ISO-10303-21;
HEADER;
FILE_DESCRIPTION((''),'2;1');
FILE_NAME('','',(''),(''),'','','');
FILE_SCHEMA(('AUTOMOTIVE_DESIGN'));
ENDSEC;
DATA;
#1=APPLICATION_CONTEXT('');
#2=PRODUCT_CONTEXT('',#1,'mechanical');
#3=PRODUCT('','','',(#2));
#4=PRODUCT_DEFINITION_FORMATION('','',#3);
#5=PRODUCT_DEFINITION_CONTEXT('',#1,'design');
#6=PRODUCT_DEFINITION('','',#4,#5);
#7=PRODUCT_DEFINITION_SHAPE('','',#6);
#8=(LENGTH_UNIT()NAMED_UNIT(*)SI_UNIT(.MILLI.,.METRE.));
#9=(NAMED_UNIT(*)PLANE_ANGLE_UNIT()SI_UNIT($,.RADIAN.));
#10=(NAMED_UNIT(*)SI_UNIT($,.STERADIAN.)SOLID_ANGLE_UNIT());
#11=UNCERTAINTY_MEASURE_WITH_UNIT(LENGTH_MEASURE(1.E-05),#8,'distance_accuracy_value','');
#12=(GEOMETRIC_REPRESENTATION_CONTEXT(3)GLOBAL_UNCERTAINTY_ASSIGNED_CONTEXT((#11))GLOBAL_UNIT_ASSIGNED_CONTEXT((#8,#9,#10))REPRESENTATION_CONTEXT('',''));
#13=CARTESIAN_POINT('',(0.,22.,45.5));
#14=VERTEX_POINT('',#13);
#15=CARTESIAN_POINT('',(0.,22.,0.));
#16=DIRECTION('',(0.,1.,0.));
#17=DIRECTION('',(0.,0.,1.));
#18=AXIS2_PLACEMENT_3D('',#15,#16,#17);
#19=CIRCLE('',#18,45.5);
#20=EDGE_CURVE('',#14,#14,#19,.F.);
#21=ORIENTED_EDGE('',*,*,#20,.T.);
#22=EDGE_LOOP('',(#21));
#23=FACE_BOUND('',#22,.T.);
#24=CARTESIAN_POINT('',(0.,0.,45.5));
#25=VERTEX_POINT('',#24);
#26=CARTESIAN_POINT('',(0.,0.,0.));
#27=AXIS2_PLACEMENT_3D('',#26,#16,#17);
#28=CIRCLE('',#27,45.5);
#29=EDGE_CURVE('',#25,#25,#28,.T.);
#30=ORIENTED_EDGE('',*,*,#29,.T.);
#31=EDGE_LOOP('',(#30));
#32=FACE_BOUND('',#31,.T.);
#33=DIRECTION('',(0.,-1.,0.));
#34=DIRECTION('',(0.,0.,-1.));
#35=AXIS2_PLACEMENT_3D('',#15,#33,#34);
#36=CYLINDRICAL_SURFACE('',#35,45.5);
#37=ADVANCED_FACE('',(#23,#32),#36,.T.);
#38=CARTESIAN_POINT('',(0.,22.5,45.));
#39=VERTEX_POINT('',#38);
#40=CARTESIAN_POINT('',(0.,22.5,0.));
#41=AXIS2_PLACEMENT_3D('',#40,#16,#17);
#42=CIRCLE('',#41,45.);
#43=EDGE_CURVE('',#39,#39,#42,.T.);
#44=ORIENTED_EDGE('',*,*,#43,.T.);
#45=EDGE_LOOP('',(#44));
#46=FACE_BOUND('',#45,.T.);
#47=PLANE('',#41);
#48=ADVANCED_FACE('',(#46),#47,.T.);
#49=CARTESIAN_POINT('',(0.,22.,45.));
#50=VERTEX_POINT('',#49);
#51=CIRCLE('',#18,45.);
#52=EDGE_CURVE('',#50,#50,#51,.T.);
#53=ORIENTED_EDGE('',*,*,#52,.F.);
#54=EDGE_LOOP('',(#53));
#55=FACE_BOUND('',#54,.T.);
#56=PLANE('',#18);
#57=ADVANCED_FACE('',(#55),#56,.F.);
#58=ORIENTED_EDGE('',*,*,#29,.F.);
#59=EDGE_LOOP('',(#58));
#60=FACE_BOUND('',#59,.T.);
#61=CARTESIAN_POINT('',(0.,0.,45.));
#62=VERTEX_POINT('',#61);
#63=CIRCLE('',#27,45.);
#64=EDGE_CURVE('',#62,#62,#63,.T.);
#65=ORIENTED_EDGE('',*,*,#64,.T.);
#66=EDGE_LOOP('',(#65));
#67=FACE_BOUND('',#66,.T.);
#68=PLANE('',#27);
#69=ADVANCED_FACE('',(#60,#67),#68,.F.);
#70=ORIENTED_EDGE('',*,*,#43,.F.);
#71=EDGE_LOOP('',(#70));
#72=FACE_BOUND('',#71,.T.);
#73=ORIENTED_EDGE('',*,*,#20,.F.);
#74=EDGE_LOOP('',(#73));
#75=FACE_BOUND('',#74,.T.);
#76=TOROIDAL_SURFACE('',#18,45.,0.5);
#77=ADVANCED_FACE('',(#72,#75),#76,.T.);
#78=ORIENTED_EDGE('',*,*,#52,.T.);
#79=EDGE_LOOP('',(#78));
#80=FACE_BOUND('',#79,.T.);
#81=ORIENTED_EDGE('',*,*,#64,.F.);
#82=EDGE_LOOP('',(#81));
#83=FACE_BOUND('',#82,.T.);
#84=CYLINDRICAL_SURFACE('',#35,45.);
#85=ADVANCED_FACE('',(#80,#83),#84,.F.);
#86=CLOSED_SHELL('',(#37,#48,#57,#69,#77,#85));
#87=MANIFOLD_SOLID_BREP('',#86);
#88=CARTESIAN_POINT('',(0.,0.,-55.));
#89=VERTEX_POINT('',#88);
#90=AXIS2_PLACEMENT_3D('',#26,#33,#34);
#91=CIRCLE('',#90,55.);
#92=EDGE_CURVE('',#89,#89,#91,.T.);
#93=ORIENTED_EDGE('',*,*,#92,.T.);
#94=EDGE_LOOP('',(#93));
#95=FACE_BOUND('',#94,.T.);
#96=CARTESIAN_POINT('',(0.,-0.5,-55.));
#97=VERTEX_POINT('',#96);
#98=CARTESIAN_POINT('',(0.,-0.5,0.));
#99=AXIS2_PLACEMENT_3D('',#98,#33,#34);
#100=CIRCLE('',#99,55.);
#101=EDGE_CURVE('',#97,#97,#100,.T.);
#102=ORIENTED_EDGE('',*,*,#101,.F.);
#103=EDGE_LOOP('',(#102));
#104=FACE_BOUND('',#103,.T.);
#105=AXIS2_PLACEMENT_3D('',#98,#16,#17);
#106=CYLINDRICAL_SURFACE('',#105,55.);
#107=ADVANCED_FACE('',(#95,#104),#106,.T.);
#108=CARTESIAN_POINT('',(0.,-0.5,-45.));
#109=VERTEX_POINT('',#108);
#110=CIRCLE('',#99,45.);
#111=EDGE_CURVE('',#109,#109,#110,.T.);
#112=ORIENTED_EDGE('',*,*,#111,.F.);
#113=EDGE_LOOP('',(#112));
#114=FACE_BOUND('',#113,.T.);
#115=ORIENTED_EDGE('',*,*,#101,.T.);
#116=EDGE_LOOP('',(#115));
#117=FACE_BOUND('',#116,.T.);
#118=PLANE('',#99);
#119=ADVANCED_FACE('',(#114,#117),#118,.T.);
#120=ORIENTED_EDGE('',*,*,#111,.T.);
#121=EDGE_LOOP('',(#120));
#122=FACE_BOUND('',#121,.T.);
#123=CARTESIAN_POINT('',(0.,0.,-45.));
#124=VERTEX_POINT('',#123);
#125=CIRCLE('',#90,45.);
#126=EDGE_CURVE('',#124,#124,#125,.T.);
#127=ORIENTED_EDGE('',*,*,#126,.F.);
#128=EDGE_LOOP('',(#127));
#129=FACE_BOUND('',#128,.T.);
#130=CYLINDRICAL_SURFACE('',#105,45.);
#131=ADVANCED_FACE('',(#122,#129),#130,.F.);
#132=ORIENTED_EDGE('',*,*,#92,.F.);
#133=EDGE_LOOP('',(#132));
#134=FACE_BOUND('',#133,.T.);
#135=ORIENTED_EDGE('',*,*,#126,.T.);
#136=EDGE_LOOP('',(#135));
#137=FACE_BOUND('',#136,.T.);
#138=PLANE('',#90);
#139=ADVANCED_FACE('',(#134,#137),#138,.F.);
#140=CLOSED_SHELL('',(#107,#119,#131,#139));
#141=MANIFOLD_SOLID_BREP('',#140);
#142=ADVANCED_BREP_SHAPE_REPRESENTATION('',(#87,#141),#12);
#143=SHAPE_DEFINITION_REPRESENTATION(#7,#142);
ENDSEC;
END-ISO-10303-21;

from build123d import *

# Parameters (mm, degrees)
SKETCH_1_R      = 45.5
SKETCH_1_R_2    = 45
EXTRUDE_1_DEPTH = 22
SKETCH_2_R      = 55
SKETCH_2_R_2    = 45
EXTRUDE_2_DEPTH = 0.5
SKETCH_3_R      = 45.5
EXTRUDE_3_DEPTH = 0.5
FILLET_2_R      = 0.5


with BuildPart() as part:
    # Эскиз1 → Вытянуть1 (new body)
    with BuildSketch(Plane(origin=(0, 0, 0), x_dir=(1, 0, 0), z_dir=(0, 1, 0))):
        with Locations(Location((0, 0, 0), (0, 0, 270))):
            Circle(SKETCH_1_R)
        with Locations(Location((0, 0, 0), (0, 0, 270))):
            Circle(SKETCH_1_R_2, mode=Mode.SUBTRACT)
    extrude(amount=EXTRUDE_1_DEPTH)

    # Эскиз3 → Вытянуть3 (add)
    with BuildSketch(Plane(origin=(0, 22, 0), x_dir=(1, 0, 0), z_dir=(0, 1, 0))):
        with Locations(Location((0, 0, 0), (0, 0, 270))):
            Circle(SKETCH_3_R)
    extrude(amount=EXTRUDE_3_DEPTH)

    # Скругление2
    fillet_2_edges = [part.edges().sort_by_distance(p)[0] for p in [
        (0, 22.5, -45.5),
    ]]
    fillet(fillet_2_edges, radius=FILLET_2_R)


with BuildPart() as body_2:
    # Эскиз2 → Вытянуть2 (new body)
    with BuildSketch(Plane.XZ):
        with Locations(Location((0, 0, 0), (0, 0, 270))):
            Circle(SKETCH_2_R)
        with Locations(Location((0, 0, 0), (0, 0, 270))):
            Circle(SKETCH_2_R_2, mode=Mode.SUBTRACT)
    extrude(amount=EXTRUDE_2_DEPTH)


solid = Compound([part.part, body_2.part])
